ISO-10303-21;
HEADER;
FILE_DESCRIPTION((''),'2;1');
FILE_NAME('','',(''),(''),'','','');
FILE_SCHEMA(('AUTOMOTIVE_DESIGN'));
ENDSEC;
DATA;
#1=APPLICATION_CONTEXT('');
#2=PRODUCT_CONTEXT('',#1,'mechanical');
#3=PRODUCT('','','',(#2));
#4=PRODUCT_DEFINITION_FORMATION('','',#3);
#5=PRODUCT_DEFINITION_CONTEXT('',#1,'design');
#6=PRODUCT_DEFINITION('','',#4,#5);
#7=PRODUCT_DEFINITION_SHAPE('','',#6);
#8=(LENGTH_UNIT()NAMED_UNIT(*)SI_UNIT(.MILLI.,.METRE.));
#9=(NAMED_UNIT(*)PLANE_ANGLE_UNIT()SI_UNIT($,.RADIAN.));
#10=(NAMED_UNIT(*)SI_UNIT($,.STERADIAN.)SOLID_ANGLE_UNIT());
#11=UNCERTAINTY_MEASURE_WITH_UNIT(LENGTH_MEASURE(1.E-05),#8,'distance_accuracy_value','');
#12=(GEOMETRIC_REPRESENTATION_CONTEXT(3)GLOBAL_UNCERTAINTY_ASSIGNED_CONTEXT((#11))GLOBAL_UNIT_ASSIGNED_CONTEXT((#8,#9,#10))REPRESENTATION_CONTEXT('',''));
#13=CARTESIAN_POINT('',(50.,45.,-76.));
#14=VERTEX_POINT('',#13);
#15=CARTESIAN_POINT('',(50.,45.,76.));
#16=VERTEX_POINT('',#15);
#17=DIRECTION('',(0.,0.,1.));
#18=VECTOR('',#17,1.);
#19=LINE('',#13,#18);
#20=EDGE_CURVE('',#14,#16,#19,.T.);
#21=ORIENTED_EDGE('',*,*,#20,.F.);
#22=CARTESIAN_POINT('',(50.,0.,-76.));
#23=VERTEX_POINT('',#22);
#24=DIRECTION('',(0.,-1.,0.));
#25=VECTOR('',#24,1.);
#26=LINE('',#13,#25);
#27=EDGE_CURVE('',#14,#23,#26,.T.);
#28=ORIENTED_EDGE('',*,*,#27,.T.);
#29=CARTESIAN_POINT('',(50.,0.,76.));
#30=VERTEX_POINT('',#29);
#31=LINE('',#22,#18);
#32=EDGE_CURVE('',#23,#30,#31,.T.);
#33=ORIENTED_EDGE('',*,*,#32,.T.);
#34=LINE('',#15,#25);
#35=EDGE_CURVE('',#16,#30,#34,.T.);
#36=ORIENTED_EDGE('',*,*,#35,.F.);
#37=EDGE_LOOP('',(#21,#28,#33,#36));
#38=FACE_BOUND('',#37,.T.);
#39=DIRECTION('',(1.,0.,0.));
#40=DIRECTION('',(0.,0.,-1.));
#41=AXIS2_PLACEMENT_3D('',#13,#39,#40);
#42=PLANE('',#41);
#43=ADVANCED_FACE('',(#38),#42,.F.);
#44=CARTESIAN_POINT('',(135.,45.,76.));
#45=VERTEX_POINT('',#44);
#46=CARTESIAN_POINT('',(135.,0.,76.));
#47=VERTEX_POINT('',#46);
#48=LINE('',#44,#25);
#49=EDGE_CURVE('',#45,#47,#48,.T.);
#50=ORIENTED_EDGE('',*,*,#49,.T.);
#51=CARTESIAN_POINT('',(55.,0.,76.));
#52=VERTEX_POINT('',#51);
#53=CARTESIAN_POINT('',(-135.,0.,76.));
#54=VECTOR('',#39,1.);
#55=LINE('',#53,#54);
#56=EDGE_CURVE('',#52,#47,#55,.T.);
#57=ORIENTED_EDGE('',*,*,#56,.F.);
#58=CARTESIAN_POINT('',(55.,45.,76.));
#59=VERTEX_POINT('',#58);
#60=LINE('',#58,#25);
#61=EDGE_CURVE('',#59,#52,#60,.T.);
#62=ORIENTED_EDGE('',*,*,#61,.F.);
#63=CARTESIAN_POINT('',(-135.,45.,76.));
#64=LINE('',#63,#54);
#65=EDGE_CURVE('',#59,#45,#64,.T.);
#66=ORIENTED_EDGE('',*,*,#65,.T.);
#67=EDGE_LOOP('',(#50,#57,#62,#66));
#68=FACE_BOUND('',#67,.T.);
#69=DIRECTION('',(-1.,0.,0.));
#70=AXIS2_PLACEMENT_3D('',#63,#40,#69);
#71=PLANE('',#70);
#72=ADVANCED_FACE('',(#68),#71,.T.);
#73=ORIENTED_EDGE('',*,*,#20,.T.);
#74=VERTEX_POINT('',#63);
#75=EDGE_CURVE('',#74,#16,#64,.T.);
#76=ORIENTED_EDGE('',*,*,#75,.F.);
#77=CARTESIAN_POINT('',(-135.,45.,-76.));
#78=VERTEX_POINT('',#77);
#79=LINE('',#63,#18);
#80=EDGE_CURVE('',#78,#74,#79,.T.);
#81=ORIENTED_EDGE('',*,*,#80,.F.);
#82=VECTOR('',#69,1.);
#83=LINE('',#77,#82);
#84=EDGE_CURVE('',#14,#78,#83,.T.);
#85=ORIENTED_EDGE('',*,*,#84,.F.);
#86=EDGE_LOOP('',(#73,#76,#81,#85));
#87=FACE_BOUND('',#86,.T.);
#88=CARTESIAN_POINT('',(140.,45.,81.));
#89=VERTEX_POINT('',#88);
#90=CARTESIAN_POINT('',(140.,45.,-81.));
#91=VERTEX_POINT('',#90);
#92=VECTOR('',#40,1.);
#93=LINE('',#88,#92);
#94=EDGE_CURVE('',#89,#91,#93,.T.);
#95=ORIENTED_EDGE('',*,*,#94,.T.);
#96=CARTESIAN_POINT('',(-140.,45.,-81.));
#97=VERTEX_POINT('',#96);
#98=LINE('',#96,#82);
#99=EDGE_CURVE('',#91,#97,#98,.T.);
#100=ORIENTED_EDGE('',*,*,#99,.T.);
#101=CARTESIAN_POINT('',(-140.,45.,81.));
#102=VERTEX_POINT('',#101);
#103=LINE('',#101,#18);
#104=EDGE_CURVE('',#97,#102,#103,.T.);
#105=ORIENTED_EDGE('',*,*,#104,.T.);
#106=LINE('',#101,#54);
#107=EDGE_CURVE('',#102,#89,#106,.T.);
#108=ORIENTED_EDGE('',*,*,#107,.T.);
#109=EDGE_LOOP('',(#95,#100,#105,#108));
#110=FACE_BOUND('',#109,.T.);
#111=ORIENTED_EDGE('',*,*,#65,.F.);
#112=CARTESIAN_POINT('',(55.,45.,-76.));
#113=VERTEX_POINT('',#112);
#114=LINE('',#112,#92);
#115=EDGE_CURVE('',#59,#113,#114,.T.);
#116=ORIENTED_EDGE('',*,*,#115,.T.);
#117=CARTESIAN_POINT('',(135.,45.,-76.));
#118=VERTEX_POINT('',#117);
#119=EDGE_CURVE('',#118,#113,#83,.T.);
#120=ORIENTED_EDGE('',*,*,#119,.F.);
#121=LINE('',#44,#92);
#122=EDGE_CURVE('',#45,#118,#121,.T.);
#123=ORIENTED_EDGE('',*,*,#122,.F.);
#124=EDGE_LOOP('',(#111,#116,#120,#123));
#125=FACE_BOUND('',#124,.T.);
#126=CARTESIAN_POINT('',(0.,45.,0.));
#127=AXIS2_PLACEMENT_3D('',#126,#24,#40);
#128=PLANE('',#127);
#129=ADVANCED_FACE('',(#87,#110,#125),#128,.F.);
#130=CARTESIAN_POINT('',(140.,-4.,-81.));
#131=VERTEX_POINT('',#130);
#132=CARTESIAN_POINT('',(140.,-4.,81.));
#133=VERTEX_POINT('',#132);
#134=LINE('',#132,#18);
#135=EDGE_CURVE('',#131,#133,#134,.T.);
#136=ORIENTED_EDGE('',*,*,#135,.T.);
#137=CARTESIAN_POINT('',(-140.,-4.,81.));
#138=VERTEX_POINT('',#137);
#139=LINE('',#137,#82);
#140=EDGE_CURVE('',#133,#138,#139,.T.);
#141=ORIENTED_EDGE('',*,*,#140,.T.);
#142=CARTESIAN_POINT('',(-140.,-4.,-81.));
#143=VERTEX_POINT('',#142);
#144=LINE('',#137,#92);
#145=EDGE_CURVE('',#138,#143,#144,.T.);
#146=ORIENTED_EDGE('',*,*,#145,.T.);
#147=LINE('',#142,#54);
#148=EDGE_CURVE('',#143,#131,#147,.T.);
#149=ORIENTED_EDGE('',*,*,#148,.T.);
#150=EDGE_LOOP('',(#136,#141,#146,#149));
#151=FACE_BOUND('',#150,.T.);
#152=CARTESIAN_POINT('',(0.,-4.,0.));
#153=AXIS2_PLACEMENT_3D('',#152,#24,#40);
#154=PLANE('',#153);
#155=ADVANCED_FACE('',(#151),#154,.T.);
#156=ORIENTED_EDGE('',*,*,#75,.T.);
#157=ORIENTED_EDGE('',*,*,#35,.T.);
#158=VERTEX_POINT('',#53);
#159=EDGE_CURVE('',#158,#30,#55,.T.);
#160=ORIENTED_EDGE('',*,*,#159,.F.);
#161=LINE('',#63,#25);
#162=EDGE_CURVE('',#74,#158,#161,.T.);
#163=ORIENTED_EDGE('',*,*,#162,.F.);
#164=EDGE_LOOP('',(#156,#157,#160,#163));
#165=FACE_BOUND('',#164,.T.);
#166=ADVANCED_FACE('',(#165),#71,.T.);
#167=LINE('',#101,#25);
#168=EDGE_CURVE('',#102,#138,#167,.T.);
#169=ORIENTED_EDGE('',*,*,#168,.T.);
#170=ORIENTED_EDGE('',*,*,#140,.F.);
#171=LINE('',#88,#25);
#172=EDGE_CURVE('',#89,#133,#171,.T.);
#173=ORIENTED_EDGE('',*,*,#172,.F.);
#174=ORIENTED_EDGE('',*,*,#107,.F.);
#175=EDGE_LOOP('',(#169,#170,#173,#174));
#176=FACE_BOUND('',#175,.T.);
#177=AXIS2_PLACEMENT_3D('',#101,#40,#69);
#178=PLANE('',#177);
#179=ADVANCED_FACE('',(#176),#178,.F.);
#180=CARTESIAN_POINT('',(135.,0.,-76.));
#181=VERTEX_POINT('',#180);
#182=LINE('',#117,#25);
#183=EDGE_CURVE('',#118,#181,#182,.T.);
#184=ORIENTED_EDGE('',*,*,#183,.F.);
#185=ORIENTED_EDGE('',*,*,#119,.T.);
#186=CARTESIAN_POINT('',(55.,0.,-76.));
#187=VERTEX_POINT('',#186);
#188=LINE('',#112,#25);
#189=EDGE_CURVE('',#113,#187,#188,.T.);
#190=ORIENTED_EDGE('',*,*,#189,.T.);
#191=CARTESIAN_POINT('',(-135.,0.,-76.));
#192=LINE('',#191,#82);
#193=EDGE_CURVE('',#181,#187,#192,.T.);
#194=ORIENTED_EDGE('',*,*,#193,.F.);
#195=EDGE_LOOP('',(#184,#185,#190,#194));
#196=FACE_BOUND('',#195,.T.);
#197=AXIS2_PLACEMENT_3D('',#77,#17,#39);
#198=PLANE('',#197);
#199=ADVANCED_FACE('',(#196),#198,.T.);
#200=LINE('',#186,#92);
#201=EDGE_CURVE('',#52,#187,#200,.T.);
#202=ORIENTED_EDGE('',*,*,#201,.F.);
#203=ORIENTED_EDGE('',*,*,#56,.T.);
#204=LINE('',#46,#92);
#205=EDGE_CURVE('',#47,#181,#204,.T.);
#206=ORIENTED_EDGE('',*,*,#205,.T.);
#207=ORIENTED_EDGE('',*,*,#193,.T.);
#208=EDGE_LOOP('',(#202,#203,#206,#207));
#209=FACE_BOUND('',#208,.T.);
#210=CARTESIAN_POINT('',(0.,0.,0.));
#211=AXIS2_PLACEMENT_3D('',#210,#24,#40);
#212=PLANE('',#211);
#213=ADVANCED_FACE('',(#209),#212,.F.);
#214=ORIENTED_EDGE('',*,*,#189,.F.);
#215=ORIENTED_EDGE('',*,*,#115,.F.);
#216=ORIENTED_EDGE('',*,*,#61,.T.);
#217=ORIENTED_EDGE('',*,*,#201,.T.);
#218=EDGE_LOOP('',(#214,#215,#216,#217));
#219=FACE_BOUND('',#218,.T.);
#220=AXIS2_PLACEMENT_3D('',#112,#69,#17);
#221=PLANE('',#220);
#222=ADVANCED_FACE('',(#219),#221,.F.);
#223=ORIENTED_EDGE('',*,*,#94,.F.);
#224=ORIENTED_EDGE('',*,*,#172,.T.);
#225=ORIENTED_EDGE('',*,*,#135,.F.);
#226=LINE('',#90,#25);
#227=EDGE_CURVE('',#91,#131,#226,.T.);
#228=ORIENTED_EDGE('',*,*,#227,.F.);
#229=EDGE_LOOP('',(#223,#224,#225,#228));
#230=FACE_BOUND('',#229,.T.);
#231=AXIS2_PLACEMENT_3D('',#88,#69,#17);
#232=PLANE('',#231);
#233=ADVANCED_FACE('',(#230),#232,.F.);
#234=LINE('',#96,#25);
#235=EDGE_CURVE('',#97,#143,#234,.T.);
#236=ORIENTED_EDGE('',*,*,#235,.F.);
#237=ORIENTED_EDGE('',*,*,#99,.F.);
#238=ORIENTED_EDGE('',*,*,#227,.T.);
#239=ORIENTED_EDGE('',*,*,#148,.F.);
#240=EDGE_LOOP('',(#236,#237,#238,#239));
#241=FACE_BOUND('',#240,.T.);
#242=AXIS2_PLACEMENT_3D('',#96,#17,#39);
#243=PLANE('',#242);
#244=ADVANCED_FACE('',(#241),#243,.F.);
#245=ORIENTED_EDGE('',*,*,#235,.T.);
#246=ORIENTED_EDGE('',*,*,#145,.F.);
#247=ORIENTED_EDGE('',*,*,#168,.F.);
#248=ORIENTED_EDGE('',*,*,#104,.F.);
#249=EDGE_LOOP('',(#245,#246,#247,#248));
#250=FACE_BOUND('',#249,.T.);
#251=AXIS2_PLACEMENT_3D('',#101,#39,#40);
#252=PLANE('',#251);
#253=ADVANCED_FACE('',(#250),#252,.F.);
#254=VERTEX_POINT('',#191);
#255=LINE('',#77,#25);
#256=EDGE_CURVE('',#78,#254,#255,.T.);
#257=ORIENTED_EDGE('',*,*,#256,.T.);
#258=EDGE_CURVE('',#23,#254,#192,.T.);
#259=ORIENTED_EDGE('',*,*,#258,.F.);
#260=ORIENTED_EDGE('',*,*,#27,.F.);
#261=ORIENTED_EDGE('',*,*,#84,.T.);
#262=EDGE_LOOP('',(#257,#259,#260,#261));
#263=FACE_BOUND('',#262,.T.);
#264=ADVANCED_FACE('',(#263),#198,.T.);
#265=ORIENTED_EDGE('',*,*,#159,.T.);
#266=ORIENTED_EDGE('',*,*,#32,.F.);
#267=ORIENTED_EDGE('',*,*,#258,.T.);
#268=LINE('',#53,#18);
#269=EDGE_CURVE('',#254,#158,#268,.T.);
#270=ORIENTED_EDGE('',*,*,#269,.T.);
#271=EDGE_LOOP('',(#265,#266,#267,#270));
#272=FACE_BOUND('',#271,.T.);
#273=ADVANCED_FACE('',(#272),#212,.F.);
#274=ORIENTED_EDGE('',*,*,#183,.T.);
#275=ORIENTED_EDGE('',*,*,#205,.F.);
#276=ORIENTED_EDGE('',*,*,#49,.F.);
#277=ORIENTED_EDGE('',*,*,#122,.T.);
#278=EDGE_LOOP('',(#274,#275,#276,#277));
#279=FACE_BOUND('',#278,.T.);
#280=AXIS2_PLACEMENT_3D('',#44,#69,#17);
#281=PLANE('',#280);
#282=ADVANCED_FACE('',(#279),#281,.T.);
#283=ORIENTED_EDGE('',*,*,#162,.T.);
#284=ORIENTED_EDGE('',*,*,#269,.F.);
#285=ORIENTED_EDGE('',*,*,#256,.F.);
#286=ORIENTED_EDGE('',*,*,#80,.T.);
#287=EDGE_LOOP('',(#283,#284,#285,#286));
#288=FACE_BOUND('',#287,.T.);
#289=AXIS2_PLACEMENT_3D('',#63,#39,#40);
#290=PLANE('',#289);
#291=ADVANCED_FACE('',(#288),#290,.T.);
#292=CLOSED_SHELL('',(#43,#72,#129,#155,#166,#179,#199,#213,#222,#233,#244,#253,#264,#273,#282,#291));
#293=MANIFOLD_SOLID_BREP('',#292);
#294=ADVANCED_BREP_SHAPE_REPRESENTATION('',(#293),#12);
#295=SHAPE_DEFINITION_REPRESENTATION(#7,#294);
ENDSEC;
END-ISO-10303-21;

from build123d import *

# Parameters (mm, degrees)
CROQUIS1_W              = 280
CROQUIS1_H              = 162
CROQUIS1_W_2            = 270
CROQUIS1_H_2            = 152
SALIENTE_EXTRUIR1_DEPTH = 45
CROQUIS3_W              = 280
CROQUIS3_H              = 162
SALIENTE_EXTRUIR2_DEPTH = 4
CROQUIS4_W              = 5
CROQUIS4_H              = 152
SALIENTE_EXTRUIR3_DEPTH = 45


with BuildPart() as part:
    # Croquis1 → Saliente-Extruir1 (new body)
    with BuildSketch(Plane(origin=(0, 0, 0), x_dir=(1, 0, 0), z_dir=(0, 1, 0))):
        Rectangle(CROQUIS1_W, CROQUIS1_H)
        Rectangle(CROQUIS1_W_2, CROQUIS1_H_2, mode=Mode.SUBTRACT)
    extrude(amount=SALIENTE_EXTRUIR1_DEPTH)

    # Croquis3 → Saliente-Extruir2 (add)
    with BuildSketch(Plane.XZ):
        Rectangle(CROQUIS3_W, CROQUIS3_H)
    extrude(amount=SALIENTE_EXTRUIR2_DEPTH)

    # Croquis4 → Saliente-Extruir3 (add)
    with BuildSketch(Plane(origin=(0, 0, 0), x_dir=(1, 0, 0), z_dir=(0, 1, 0))):
        with Locations((52.5, 0)):
            Rectangle(CROQUIS4_W, CROQUIS4_H)
    extrude(amount=SALIENTE_EXTRUIR3_DEPTH)


solid = part.part
